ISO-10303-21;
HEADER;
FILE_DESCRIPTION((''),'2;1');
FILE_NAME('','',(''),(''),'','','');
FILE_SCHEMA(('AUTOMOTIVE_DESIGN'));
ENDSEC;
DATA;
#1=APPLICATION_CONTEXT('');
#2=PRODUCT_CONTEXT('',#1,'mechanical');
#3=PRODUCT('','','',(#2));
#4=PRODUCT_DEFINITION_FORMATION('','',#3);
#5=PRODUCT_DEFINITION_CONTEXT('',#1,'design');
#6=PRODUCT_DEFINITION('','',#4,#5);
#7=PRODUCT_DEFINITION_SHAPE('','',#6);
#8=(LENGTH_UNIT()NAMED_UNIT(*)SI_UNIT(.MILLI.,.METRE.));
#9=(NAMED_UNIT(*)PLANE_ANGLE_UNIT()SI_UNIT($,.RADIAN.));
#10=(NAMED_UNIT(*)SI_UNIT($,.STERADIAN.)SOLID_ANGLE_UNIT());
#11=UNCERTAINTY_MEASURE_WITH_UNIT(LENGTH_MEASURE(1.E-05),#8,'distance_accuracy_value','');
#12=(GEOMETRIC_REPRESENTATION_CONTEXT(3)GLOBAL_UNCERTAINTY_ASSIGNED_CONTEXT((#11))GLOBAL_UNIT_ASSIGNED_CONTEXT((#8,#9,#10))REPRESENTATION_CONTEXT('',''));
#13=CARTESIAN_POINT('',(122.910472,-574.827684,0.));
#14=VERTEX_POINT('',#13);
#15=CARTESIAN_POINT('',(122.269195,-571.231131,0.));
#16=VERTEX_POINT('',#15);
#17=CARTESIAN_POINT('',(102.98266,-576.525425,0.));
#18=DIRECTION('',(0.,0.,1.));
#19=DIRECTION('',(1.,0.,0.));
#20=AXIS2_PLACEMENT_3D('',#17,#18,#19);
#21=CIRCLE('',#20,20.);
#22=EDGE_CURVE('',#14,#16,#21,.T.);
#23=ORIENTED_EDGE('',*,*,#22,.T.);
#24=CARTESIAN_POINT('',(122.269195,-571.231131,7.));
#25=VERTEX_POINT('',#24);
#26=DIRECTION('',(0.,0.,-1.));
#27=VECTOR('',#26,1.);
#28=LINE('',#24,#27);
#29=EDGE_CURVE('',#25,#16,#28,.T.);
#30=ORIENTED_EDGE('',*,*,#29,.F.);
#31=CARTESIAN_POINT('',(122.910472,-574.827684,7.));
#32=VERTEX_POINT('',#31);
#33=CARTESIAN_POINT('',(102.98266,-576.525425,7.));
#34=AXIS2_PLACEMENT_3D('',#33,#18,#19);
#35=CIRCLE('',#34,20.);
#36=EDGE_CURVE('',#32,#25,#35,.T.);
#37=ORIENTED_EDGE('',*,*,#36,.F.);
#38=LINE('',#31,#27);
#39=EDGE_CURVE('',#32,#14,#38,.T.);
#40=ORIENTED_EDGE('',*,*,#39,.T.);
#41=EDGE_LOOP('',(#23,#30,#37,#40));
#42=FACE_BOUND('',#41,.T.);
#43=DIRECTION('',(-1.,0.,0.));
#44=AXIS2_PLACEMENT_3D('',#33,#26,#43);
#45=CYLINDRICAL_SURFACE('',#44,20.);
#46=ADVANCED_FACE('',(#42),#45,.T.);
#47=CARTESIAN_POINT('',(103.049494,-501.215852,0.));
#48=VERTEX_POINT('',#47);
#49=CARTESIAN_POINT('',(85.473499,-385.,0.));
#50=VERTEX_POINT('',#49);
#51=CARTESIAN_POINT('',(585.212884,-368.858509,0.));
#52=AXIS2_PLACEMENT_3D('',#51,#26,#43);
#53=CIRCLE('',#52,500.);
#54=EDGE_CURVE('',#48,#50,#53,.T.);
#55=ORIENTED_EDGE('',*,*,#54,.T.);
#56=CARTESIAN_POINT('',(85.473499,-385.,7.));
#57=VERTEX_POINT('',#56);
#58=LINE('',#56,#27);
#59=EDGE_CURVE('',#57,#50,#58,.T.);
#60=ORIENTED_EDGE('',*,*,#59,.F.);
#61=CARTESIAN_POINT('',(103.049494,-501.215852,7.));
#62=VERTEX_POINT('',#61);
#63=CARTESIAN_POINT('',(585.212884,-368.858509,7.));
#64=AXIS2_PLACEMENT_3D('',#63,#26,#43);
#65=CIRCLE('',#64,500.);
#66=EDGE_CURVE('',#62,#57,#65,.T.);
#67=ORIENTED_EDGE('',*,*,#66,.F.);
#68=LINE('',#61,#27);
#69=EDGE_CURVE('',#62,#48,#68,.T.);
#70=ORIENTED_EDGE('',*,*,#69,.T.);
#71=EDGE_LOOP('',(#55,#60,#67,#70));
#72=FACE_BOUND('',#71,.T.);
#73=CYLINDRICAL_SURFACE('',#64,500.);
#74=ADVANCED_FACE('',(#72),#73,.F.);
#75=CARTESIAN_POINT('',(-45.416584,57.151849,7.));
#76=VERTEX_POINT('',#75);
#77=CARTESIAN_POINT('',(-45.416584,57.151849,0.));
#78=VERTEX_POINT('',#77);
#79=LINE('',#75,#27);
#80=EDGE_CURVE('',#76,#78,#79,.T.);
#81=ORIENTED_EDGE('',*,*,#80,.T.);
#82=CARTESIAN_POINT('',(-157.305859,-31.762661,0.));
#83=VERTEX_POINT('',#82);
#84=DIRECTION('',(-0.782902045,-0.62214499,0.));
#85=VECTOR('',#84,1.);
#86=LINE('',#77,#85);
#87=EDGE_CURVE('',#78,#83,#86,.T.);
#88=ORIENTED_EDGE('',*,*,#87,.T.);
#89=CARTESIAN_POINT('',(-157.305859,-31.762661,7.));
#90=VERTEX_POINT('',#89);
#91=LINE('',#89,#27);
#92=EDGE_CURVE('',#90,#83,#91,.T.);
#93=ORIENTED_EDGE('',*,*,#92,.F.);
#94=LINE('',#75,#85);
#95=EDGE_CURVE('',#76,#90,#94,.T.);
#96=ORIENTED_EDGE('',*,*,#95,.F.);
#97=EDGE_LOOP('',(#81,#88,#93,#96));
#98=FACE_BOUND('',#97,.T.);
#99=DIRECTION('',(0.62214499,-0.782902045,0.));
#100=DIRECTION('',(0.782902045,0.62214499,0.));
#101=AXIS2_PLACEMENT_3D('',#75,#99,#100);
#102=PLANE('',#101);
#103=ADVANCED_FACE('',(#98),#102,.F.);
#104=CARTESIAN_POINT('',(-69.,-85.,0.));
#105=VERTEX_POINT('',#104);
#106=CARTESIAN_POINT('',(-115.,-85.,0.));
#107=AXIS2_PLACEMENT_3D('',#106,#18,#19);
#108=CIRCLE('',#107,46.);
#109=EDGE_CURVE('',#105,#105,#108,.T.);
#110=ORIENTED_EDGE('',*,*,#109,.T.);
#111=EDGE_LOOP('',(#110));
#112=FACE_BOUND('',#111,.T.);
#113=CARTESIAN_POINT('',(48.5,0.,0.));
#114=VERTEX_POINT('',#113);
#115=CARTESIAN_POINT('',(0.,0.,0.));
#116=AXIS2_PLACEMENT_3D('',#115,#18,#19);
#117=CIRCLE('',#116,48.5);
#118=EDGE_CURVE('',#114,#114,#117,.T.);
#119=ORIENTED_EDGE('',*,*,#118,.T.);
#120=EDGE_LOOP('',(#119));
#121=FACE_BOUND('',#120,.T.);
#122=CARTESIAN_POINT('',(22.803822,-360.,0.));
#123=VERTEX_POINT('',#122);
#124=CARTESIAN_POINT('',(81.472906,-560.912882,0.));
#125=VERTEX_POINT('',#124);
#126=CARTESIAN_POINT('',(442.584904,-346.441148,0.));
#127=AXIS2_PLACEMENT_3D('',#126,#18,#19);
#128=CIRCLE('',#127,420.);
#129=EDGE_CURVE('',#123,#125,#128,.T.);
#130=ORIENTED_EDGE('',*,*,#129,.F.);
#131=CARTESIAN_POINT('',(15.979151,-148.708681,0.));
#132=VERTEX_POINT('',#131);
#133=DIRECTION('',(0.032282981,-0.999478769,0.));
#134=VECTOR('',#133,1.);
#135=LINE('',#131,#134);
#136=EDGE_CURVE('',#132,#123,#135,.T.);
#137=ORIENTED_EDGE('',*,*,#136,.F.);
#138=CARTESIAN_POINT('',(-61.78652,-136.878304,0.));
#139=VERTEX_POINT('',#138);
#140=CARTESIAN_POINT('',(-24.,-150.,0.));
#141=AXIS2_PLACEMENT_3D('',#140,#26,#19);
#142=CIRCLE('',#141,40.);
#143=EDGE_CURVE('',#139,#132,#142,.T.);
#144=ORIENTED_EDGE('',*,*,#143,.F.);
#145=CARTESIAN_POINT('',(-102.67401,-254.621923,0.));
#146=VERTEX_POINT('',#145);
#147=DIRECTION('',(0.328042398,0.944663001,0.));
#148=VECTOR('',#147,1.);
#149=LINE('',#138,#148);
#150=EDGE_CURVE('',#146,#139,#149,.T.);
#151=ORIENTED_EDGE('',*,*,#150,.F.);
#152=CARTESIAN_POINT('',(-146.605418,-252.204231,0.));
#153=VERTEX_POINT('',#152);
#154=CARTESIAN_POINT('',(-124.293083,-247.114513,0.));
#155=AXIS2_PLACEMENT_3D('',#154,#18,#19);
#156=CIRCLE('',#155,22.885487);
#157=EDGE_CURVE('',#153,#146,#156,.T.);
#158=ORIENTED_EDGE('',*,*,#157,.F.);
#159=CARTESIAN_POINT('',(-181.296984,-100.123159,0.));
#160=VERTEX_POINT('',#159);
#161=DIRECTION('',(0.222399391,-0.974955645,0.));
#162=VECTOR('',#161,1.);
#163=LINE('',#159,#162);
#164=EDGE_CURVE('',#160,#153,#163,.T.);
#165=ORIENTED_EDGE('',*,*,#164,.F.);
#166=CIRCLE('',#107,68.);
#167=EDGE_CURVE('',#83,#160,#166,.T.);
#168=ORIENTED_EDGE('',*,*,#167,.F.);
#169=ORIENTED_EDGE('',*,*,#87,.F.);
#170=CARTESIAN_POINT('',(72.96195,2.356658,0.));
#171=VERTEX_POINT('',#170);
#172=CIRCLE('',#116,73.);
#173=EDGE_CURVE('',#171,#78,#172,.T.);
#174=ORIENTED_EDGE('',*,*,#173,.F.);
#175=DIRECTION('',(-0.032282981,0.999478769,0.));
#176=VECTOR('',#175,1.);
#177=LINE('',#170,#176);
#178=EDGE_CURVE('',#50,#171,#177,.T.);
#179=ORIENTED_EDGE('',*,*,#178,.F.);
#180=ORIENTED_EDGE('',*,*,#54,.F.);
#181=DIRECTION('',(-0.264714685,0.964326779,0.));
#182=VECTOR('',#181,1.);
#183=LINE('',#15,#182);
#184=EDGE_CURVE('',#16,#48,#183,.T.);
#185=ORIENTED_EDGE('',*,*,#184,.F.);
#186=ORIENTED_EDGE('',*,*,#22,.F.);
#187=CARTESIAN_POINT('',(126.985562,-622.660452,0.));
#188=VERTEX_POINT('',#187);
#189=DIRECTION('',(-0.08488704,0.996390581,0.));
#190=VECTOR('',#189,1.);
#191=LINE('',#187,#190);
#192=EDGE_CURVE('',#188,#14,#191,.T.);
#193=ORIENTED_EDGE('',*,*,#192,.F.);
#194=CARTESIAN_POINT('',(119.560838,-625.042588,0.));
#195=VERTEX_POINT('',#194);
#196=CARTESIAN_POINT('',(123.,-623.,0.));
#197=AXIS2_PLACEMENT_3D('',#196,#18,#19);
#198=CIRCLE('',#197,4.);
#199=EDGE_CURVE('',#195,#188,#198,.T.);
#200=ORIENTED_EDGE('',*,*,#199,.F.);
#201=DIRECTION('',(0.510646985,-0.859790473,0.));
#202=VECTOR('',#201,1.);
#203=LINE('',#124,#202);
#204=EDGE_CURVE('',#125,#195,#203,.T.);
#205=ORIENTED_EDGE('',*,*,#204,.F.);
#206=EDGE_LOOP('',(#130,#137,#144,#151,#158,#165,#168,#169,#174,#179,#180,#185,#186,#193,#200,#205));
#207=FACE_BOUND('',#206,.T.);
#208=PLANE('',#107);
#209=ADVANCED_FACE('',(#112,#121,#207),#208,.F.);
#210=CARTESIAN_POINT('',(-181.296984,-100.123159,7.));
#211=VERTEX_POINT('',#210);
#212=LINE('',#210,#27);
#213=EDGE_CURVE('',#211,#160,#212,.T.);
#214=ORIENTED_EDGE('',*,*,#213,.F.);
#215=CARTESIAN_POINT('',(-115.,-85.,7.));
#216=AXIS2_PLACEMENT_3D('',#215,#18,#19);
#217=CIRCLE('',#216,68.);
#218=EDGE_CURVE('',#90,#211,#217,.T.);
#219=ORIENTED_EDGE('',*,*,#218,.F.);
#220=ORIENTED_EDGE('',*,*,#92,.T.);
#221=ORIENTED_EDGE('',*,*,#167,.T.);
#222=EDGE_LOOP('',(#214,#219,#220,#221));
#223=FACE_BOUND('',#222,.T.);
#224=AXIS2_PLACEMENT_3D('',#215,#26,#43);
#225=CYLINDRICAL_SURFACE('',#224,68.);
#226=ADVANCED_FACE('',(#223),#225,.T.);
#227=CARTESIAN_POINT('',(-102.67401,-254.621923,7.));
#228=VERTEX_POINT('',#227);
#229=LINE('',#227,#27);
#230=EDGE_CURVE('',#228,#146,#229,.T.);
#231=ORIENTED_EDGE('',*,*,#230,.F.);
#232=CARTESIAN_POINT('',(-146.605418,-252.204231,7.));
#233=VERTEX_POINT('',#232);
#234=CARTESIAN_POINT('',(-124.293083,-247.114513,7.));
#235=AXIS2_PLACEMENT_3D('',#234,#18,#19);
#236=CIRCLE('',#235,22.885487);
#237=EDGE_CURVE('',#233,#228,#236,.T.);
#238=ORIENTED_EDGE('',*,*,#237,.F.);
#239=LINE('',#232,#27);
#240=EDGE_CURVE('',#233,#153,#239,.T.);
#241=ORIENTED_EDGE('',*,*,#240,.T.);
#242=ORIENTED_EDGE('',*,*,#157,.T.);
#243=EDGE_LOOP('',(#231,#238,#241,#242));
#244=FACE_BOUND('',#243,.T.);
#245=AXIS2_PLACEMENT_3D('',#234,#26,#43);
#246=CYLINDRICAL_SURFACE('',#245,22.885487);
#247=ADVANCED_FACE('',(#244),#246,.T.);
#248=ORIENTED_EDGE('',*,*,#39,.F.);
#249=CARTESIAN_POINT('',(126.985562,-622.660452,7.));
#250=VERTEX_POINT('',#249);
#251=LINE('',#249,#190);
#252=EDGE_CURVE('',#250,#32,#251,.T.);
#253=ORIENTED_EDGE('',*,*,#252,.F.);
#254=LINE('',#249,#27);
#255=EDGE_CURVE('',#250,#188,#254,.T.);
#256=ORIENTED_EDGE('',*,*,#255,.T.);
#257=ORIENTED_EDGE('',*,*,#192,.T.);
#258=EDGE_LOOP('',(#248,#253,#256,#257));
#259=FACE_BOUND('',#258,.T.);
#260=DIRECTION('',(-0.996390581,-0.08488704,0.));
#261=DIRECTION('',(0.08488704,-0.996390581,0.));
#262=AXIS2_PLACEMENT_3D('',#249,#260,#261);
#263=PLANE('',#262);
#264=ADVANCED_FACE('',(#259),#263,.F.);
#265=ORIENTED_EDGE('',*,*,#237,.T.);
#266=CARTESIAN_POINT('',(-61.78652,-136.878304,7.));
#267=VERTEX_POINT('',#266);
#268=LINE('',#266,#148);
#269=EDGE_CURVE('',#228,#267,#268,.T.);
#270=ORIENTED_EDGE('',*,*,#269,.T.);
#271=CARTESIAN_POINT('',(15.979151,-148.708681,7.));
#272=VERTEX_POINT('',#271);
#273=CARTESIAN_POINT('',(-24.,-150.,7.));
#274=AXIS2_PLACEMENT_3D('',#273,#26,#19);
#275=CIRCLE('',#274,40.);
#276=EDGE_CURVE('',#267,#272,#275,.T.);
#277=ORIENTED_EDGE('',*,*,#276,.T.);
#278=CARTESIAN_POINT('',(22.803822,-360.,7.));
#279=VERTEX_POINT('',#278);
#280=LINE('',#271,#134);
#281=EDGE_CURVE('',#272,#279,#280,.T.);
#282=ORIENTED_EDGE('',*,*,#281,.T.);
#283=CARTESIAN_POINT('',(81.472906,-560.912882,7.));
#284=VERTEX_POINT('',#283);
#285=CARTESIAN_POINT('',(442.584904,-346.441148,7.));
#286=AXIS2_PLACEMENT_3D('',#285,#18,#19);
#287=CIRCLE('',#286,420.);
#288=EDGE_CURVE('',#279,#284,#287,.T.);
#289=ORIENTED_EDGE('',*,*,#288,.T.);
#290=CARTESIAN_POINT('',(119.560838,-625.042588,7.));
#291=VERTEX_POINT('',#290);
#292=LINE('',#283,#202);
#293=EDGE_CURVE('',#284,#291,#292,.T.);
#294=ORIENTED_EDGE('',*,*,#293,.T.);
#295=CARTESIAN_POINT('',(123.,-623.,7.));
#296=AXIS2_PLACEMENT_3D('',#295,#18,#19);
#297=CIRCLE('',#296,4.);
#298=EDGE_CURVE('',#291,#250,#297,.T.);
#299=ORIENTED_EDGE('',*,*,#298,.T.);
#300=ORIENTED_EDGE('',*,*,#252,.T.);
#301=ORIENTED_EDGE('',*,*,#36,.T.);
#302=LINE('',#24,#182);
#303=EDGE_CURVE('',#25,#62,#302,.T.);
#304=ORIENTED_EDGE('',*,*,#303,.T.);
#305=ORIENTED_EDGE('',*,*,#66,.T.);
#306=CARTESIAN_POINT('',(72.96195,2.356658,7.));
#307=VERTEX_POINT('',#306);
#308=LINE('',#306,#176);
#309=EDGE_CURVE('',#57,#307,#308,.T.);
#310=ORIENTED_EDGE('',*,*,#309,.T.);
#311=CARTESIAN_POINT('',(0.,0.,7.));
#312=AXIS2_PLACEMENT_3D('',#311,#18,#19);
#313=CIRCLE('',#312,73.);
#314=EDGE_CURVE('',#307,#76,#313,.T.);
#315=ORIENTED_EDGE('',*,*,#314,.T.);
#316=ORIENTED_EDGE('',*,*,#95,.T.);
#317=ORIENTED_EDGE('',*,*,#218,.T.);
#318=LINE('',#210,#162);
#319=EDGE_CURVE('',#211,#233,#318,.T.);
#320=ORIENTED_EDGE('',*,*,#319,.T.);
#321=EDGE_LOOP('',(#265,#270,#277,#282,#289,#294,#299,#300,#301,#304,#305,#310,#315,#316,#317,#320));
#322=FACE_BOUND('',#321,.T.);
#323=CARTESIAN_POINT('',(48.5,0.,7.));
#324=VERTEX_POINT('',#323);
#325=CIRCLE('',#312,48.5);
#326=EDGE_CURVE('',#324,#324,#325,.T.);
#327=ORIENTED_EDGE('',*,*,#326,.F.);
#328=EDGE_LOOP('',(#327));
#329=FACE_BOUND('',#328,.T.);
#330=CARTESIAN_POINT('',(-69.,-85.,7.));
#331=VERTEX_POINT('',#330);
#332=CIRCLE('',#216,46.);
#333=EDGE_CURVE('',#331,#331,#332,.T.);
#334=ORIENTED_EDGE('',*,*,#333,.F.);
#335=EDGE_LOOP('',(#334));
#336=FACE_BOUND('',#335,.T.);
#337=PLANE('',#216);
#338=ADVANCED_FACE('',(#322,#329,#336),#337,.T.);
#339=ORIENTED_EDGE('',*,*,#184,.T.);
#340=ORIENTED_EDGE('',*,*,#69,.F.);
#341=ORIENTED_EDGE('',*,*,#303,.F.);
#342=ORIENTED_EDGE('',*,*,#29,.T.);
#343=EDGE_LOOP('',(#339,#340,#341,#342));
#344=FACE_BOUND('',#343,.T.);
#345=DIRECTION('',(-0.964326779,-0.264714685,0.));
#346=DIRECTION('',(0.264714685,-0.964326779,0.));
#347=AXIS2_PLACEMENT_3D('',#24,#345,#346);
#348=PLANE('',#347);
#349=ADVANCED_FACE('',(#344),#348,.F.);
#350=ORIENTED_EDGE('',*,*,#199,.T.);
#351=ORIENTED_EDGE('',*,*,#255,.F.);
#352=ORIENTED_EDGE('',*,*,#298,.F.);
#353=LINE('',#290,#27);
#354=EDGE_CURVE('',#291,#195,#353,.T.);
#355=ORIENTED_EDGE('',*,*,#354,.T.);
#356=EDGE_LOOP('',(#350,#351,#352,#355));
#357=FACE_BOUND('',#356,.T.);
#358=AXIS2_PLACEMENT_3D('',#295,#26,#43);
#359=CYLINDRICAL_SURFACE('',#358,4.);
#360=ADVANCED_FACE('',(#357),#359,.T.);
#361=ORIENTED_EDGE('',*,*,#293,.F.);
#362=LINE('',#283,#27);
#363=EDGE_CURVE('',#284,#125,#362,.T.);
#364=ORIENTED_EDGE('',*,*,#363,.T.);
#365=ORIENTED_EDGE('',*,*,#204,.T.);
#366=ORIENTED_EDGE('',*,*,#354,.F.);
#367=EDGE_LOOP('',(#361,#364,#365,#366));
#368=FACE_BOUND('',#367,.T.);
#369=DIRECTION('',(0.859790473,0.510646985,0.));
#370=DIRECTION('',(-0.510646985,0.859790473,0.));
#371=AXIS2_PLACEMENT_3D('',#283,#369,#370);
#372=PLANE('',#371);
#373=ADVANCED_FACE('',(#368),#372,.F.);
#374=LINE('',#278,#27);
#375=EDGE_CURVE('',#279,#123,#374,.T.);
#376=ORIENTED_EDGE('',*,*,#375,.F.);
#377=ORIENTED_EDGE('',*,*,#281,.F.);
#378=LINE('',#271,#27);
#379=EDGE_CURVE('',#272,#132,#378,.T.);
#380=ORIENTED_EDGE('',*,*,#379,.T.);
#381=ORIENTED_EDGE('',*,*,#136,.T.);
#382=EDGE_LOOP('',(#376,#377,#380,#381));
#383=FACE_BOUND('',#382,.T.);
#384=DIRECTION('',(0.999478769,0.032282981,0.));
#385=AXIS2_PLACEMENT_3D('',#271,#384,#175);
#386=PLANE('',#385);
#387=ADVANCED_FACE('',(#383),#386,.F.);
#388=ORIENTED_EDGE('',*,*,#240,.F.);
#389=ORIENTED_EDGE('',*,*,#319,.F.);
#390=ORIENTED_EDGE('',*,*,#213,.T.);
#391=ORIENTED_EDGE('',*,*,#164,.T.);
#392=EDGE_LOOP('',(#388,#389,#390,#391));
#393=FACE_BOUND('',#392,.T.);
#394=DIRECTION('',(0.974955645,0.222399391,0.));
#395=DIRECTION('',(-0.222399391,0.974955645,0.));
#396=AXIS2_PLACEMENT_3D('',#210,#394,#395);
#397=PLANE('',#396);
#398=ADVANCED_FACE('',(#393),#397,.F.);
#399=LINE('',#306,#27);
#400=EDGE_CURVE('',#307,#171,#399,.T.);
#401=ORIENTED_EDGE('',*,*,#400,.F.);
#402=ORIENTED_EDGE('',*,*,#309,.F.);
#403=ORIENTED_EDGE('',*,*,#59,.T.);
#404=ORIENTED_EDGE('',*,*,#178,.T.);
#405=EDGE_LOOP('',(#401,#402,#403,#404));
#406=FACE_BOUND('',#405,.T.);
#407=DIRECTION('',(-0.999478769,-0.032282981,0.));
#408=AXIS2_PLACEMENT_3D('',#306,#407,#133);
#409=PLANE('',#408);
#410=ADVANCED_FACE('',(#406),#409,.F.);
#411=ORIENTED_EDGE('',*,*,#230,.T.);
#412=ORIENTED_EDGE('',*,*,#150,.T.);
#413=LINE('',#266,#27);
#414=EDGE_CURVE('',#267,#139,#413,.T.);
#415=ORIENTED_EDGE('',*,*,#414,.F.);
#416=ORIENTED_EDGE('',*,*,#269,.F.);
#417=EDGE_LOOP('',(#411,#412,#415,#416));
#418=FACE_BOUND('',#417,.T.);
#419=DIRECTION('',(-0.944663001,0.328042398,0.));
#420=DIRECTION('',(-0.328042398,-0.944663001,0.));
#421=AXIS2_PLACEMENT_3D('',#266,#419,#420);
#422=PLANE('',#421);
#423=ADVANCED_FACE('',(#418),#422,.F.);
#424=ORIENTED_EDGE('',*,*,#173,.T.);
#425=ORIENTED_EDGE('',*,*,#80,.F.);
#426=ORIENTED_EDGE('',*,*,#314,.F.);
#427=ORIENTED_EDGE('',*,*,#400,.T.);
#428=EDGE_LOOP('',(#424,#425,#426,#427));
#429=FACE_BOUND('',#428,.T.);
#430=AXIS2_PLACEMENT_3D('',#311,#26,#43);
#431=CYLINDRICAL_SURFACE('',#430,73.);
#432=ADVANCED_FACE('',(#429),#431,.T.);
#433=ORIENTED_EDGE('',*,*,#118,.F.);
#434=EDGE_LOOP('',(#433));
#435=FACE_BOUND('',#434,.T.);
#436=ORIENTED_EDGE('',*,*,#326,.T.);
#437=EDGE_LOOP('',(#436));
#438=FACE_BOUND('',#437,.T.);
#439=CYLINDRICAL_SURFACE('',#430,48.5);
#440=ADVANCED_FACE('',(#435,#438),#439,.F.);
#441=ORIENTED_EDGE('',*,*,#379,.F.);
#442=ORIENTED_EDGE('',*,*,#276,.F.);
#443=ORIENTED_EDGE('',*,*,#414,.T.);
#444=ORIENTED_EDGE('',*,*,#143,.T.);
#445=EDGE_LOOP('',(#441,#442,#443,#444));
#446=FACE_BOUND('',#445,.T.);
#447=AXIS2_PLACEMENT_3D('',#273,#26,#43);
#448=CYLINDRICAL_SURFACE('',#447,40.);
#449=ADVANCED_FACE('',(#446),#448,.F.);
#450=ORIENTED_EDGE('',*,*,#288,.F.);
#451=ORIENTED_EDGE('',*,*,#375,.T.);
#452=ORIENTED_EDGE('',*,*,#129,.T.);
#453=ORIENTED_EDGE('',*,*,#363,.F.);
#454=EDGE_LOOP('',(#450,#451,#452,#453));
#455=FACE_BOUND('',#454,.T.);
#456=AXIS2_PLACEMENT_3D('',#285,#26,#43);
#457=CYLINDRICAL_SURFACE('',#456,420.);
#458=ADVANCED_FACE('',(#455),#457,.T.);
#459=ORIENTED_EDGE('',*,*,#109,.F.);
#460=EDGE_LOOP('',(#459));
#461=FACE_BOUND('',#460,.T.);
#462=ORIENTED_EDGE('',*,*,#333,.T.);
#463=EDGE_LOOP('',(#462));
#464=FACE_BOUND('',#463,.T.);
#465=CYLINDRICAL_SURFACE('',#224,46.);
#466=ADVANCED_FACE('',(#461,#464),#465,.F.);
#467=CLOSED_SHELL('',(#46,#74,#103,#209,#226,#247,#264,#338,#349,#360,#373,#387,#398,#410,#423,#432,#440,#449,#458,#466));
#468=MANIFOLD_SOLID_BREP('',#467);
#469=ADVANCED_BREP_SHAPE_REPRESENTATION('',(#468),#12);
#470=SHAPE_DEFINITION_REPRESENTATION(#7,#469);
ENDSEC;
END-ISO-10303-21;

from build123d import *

# Parameters (mm, degrees)
SKETCH1_R      = 48.5
SKETCH1_R_2    = 46
EXTRUDE1_DEPTH = 7


with BuildPart() as part:
    # Sketch1 → Extrude1 (new body)
    with BuildSketch(Plane.XY):
        with BuildLine():
            Line((-181.296983893, -100.123158622), (-146.60541801, -252.204231237))
            ThreePointArc((-146.60541801, -252.204231237), (-125.550644715, -269.965422259), (-102.674010073, -254.621922903))
            Line((-102.674010073, -254.621922903), (-61.786520036, -136.878304089))
            ThreePointArc((-61.786520036, -136.878304089), (-17.984074435, -110.454979585), (15.979150749, -148.708680759))
            Line((15.979150749, -148.708680759), (22.803821631, -360))
            ThreePointArc((22.803821631, -360), (39.422409163, -464.1696592), (81.472905946, -560.912881546))
            Line((81.472905946, -560.912881546), (119.560838109, -625.042587939))
            ThreePointArc((119.560838109, -625.042587939), (124.22199896, -626.808768638), (126.985562325, -622.660451839))
            Line((126.985562325, -622.660451839), (122.910471509, -574.827683832))
            ThreePointArc((122.910471509, -574.827683832), (122.67212546, -573.014734487), (122.269195455, -571.231130949))
            Line((122.269195455, -571.231130949), (103.049494252, -501.215851748))
            ThreePointArc((103.049494252, -501.215851748), (90.834692996, -443.626181209), (85.473499156, -385))
            Line((85.473499156, -385), (72.961950117, 2.356657615))
            ThreePointArc((72.961950117, 2.356657615), (30.664556943, 66.247150486), (-45.416584246, 57.151849274))
            Line((-45.416584246, 57.151849274), (-157.305859298, -31.76266095))
            ThreePointArc((-157.305859298, -31.76266095), (-179.163336866, -62.481869477), (-181.296983893, -100.123158622))
        make_face()
        Circle(SKETCH1_R, mode=Mode.SUBTRACT)
        with Locations((-115, -85)):
            Circle(SKETCH1_R_2, mode=Mode.SUBTRACT)
    extrude(amount=EXTRUDE1_DEPTH)


solid = part.part
